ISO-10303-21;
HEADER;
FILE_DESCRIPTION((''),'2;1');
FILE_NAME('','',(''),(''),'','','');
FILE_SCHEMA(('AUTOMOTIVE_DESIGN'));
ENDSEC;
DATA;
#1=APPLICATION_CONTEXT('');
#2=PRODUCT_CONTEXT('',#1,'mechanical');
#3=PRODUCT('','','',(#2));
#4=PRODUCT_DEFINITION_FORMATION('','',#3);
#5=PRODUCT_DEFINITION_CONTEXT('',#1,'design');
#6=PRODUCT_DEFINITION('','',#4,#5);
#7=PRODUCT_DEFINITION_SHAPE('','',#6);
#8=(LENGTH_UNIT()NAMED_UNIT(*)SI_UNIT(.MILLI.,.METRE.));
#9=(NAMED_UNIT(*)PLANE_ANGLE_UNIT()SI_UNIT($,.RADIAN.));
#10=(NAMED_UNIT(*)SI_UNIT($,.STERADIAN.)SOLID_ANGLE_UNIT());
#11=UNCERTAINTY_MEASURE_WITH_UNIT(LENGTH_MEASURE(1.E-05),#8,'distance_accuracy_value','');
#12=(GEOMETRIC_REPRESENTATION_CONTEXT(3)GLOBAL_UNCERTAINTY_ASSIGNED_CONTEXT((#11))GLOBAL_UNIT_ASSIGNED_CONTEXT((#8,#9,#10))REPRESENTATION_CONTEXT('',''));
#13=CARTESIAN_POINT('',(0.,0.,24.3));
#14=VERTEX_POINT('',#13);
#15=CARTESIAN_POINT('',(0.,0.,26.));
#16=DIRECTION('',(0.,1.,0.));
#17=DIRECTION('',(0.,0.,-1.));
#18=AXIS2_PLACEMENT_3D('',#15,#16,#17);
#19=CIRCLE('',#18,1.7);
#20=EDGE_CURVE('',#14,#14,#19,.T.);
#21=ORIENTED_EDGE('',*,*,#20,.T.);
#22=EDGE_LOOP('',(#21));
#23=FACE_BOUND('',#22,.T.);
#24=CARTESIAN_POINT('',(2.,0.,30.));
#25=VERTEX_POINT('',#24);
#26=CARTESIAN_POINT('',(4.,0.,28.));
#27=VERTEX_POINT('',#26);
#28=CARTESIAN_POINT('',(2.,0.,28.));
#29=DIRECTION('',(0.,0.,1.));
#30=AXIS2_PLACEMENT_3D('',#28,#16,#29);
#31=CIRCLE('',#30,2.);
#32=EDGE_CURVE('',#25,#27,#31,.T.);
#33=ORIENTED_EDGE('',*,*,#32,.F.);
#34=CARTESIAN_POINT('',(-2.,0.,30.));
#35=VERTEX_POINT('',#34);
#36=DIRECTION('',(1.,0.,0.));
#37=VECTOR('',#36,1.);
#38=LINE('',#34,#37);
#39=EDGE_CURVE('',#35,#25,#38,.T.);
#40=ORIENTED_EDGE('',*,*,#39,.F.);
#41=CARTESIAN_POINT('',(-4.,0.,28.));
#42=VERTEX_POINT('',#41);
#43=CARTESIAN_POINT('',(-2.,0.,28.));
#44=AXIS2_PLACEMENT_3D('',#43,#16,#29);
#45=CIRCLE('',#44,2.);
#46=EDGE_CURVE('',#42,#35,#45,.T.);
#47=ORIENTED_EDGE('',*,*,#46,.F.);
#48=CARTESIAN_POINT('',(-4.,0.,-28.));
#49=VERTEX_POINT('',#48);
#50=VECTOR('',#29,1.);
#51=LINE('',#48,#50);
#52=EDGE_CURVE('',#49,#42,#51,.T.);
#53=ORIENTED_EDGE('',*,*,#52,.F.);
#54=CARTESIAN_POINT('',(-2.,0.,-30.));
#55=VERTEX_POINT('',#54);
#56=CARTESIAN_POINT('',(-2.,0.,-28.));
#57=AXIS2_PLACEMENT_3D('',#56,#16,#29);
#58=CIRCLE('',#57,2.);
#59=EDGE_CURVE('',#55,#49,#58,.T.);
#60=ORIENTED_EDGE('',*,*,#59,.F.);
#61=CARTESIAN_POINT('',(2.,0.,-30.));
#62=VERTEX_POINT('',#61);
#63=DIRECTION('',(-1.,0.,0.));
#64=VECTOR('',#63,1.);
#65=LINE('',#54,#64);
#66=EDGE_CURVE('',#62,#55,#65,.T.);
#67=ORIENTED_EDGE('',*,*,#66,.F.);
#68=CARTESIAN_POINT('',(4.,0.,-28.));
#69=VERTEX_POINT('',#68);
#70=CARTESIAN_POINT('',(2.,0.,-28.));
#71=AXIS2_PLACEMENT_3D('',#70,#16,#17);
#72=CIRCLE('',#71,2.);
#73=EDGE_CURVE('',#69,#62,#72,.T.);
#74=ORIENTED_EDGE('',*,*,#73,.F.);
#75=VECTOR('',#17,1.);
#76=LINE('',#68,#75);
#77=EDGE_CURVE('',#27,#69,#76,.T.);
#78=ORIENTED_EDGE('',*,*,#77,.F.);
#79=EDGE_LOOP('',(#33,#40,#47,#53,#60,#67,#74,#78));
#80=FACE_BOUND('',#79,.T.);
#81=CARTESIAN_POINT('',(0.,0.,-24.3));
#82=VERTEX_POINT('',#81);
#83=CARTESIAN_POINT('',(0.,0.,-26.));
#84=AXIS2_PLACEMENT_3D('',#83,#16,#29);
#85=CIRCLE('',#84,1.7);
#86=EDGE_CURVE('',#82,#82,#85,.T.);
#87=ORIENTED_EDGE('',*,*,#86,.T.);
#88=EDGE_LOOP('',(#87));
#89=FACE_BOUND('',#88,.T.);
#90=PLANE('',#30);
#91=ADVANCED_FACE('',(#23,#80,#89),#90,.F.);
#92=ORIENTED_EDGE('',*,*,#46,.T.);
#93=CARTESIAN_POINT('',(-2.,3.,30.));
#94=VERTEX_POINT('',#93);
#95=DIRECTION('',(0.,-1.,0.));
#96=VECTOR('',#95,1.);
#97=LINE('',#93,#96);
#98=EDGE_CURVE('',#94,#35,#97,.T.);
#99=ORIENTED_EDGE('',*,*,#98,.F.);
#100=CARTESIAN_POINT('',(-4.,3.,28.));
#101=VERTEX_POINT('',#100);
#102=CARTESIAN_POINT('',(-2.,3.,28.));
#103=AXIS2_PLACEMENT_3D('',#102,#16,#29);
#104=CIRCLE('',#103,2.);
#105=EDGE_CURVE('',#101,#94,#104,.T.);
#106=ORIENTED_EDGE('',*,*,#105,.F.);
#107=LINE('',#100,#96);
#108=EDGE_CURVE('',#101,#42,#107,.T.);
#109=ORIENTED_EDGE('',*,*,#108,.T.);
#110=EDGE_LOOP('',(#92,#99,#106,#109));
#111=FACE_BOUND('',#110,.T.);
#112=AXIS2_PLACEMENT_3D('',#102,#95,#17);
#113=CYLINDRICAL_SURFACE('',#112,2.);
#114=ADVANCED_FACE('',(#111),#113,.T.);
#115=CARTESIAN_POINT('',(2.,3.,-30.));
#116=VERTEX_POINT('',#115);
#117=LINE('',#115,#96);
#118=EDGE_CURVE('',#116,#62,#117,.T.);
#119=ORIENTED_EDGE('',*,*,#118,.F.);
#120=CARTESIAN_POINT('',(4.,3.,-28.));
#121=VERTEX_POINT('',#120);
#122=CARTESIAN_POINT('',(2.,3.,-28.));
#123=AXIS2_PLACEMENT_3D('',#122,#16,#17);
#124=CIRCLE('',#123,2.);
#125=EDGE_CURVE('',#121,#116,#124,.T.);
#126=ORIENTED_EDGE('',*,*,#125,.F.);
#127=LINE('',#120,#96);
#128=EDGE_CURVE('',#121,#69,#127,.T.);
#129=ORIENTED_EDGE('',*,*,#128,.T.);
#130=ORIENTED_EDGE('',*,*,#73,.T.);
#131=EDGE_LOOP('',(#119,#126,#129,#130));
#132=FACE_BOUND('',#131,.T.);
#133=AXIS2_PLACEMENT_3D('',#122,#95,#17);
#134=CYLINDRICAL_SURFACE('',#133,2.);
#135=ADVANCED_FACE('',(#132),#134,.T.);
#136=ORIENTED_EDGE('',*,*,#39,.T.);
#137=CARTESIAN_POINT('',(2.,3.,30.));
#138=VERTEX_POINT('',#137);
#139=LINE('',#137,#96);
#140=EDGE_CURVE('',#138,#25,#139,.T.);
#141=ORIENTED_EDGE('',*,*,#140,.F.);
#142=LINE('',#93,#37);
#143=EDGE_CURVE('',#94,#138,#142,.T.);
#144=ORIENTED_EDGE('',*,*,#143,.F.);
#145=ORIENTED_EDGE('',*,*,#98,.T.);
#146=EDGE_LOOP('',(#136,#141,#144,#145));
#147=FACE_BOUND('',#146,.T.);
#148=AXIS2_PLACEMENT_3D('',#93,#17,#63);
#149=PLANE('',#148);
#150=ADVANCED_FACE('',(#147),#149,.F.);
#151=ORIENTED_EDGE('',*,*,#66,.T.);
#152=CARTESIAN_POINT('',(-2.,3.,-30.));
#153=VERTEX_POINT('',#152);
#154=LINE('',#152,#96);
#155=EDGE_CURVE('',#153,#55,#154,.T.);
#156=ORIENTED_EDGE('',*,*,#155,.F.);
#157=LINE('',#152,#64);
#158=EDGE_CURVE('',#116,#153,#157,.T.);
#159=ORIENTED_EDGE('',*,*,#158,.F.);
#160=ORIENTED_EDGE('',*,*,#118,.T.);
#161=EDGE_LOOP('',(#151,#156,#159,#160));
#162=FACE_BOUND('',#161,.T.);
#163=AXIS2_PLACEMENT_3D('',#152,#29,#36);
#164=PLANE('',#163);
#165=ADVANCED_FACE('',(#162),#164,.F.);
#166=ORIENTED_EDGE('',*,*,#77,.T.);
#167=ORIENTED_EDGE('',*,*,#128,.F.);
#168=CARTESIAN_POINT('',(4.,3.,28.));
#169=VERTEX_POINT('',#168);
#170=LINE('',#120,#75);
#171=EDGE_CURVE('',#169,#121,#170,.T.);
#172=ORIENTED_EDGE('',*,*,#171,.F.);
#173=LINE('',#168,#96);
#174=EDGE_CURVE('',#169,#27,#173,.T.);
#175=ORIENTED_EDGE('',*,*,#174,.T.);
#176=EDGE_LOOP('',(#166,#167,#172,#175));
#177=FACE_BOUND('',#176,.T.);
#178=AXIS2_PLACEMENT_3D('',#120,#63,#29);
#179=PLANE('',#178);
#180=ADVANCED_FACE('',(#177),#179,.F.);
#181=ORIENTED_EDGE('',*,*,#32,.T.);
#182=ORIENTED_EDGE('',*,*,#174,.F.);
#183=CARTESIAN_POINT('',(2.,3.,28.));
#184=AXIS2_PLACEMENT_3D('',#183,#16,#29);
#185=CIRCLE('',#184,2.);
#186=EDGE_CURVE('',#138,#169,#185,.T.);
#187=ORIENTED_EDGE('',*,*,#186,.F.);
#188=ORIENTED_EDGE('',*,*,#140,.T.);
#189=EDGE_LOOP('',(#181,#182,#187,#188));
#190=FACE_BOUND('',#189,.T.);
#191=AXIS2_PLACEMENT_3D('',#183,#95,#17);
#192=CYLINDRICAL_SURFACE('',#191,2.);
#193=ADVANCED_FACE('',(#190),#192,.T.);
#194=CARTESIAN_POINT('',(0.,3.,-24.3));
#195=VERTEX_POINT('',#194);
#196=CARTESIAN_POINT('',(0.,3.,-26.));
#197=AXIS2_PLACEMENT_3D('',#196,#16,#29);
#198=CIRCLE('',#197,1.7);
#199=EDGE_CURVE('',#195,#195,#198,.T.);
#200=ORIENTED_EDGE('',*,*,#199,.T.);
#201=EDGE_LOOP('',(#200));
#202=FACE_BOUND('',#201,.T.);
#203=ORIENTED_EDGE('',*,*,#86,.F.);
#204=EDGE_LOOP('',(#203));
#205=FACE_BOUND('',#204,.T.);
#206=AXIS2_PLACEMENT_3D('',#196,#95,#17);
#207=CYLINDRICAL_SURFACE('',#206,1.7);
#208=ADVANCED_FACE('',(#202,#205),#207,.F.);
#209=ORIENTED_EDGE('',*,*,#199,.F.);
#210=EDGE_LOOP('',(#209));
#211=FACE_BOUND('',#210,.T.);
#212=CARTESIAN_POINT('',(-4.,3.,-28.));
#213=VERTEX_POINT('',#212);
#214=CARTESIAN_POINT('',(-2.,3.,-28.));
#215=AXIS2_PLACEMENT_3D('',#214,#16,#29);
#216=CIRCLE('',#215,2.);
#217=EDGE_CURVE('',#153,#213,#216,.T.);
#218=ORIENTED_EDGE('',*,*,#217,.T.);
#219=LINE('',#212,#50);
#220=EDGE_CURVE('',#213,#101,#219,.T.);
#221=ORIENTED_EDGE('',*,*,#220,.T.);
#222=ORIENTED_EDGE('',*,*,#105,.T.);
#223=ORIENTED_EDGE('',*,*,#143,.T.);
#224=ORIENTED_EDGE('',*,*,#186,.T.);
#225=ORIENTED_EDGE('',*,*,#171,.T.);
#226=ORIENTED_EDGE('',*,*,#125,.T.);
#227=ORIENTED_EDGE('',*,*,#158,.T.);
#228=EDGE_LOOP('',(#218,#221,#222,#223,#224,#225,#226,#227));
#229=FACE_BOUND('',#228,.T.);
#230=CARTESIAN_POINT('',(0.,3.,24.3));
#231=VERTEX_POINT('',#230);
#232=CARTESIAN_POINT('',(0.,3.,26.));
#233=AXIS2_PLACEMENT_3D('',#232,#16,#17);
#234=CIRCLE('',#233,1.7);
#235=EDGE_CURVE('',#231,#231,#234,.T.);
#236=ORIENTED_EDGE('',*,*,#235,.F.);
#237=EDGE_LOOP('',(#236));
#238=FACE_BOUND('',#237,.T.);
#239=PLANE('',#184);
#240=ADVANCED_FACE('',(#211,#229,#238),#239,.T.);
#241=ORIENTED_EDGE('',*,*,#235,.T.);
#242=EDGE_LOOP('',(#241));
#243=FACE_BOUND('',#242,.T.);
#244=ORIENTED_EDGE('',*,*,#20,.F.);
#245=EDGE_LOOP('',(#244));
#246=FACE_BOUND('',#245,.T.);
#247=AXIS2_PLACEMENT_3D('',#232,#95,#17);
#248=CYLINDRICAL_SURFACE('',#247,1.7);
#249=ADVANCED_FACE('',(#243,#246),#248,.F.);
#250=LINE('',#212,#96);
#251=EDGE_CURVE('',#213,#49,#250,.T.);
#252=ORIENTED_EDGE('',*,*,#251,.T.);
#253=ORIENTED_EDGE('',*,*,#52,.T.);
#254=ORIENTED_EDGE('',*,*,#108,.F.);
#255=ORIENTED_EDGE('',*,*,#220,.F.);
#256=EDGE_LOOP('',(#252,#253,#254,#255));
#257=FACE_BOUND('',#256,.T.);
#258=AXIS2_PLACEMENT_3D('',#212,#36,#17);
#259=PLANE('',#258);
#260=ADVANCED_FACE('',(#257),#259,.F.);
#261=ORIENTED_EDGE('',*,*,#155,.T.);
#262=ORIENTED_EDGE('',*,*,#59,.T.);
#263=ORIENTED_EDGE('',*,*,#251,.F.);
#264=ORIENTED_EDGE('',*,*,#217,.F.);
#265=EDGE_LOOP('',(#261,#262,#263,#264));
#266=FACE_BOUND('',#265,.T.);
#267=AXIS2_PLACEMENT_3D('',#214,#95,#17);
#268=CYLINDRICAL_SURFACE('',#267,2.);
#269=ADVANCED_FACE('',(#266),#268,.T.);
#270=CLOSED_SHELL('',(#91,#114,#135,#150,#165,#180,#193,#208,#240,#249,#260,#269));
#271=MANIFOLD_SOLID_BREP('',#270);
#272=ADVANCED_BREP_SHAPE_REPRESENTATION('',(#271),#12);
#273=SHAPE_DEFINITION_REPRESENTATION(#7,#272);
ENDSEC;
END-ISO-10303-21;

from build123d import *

# Parameters (mm, degrees)
SKETCH_1_R      = 1.7
EXTRUDE_1_DEPTH = 3


with BuildPart() as part:
    # 草圖1 → 填料-伸長1 (new body)
    with BuildSketch(Plane(origin=(0, 0, 0), x_dir=(1, 0, 0), z_dir=(0, 1, 0))):
        with BuildLine():
            Line((-2, 30), (2, 30))
            ThreePointArc((2, 30), (3.414213562, 29.414213562), (4, 28))
            Line((4, 28), (4, -28))
            ThreePointArc((4, -28), (3.414213562, -29.414213562), (2, -30))
            Line((2, -30), (-2, -30))
            ThreePointArc((-2, -30), (-3.414213562, -29.414213562), (-4, -28))
            Line((-4, -28), (-4, 28))
            ThreePointArc((-4, 28), (-3.414213562, 29.414213562), (-2, 30))
        make_face()
        with Locations(Location((0, 26, 0), (0, 0, 270))):
            Circle(SKETCH_1_R, mode=Mode.SUBTRACT)
        with Locations(Location((0, -26, 0), (0, 0, 90))):
            Circle(SKETCH_1_R, mode=Mode.SUBTRACT)
    extrude(amount=EXTRUDE_1_DEPTH)


solid = part.part
